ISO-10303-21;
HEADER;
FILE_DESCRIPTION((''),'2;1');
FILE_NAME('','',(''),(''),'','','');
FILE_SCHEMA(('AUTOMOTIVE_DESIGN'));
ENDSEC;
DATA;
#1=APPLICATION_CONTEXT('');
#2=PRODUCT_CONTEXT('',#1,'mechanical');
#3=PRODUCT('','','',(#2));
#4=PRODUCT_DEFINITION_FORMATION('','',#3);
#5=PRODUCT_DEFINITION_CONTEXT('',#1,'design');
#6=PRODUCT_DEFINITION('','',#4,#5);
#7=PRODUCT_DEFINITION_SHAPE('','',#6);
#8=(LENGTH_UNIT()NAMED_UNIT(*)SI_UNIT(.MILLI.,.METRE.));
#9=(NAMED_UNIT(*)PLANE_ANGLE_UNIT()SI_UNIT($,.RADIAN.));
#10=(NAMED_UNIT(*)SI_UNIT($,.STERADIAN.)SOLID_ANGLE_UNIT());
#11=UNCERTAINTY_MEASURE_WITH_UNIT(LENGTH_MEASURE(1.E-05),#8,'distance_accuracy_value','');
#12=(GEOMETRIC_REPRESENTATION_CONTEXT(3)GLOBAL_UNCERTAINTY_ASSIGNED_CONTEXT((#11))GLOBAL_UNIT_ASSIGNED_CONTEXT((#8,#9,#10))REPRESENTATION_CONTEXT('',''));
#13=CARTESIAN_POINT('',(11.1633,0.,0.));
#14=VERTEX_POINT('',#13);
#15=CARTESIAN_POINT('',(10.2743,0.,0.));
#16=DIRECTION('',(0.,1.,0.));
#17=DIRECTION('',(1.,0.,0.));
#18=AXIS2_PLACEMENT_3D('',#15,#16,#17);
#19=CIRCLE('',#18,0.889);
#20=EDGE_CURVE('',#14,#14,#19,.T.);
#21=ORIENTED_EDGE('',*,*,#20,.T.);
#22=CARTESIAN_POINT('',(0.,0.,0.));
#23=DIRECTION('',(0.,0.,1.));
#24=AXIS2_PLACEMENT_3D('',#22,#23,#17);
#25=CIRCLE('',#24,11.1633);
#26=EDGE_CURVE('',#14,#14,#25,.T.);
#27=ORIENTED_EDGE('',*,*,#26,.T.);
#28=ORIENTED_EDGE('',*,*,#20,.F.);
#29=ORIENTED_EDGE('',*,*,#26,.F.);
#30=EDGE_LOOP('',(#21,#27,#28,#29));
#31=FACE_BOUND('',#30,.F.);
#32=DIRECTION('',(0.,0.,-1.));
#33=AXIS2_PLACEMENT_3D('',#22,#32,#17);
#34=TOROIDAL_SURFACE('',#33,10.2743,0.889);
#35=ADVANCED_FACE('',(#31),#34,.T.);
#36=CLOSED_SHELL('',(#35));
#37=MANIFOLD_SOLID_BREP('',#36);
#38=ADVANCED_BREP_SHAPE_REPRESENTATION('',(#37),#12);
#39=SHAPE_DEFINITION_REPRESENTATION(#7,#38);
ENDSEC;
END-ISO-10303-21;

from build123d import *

# Parameters (mm, degrees)
SKETCH1_R = 0.889


with BuildPart() as part:
    # Sketch1 → Revolve1 (revolve)
    with BuildSketch(Plane(origin=(0, 0, 0), x_dir=(1, 0, 0), z_dir=(0, 1, 0))):
        with Locations((10.2743, 0)):
            Circle(SKETCH1_R)
    revolve(axis=Axis((0, 0, -0.889), (0, 0, 1)))


solid = part.part
